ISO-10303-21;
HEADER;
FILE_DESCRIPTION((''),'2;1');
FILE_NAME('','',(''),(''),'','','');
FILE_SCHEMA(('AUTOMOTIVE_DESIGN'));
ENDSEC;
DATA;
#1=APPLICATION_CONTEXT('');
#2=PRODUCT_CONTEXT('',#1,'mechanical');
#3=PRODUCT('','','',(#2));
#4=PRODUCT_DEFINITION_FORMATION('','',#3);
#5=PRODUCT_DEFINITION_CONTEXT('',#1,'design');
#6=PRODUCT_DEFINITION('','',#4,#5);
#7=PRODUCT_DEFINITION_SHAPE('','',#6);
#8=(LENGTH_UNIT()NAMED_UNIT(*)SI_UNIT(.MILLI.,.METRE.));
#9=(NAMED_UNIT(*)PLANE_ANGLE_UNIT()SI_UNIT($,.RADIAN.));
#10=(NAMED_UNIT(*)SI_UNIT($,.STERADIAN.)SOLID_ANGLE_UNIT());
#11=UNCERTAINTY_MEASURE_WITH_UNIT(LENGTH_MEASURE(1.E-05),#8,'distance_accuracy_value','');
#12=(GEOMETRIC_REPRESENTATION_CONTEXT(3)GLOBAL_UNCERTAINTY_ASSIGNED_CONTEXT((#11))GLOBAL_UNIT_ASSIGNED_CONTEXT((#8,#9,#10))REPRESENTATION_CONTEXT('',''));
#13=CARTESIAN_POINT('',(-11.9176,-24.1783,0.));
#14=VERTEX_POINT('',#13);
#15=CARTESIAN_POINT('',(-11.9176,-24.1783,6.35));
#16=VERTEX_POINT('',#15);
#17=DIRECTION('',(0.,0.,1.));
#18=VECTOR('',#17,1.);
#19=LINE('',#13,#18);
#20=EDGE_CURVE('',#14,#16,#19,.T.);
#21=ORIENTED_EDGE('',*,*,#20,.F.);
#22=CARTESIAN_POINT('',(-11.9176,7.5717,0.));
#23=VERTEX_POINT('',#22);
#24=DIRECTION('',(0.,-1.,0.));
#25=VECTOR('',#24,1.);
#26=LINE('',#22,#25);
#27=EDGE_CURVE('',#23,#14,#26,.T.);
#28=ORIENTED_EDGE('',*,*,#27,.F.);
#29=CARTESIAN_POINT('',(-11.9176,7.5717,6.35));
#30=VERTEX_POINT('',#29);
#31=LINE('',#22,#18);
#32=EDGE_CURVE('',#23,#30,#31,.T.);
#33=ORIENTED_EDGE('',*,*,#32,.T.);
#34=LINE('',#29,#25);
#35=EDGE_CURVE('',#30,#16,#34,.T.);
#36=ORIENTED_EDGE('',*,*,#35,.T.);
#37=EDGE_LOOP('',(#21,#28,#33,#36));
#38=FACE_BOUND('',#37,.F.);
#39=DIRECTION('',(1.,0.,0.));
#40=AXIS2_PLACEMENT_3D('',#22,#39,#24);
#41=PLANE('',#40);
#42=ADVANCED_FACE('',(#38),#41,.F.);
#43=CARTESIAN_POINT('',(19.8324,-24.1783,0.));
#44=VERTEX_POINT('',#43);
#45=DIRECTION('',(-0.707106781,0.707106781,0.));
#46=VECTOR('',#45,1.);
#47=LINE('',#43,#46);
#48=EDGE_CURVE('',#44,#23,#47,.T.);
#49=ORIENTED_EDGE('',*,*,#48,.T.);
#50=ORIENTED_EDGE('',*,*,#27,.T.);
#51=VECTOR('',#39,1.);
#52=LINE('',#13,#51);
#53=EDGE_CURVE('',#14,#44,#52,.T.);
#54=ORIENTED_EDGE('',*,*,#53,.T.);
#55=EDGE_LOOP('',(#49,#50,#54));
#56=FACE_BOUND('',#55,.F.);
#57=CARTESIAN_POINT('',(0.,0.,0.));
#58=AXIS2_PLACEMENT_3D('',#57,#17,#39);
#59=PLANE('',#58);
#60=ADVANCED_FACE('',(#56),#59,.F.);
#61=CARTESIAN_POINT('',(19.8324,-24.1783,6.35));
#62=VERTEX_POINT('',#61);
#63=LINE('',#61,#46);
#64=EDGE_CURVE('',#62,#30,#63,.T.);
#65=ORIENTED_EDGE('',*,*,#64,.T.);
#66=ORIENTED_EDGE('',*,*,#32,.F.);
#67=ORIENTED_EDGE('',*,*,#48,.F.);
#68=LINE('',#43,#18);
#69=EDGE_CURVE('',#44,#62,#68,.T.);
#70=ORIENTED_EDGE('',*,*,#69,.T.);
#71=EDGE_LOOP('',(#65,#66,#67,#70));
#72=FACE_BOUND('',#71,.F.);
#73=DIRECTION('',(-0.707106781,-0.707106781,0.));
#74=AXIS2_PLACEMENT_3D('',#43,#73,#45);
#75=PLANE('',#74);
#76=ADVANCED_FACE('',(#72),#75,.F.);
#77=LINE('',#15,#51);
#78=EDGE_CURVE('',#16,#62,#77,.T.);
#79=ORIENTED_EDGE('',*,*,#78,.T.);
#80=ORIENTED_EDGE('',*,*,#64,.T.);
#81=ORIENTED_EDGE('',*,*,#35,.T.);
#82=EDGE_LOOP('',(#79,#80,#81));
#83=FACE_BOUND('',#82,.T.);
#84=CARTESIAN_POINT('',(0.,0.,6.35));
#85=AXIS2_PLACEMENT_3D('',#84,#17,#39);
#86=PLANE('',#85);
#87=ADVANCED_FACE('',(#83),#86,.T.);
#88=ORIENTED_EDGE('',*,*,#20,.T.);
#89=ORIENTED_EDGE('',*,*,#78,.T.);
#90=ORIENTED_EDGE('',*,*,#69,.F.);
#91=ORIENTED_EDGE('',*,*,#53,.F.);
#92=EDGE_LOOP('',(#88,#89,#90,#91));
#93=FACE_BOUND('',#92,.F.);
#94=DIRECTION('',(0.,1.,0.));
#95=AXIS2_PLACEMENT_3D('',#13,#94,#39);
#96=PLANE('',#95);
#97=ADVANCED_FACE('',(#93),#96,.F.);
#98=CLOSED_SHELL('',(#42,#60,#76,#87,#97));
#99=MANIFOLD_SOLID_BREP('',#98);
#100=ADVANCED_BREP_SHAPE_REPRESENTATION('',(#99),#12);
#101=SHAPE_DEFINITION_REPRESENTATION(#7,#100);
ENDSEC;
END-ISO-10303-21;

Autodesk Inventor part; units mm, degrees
ref_plane "YZ Plane" through (0, 0, 0) normal (1, 0, 0) x (0, 1, 0)
ref_plane "XZ Plane" through (0, 0, 0) normal (0, 1, 0) x (-1, 0, 0)
ref_plane "XY Plane" through (0, 0, 0) normal (0, 0, 1) x (1, 0, 0)
sketch "Sketch1" plane through (0, 0, 0) normal (0, 0, 1) x (1, 0, 0)
  line L0 (-11.9176, 7.5717) -> (-11.9176, -24.1783)
  line L1 (-11.9176, -24.1783) -> (19.8324, -24.1783)
  line L2 (19.8324, -24.1783) -> (-11.9176, 7.5717)
  point P0 (0, 0)
  dimension "d0" = 31.75
  dimension "d1" = 31.75
extrude "Extrusion1" add sketch "Sketch1" along normal blind 6.35
properties part number "corner brace"
